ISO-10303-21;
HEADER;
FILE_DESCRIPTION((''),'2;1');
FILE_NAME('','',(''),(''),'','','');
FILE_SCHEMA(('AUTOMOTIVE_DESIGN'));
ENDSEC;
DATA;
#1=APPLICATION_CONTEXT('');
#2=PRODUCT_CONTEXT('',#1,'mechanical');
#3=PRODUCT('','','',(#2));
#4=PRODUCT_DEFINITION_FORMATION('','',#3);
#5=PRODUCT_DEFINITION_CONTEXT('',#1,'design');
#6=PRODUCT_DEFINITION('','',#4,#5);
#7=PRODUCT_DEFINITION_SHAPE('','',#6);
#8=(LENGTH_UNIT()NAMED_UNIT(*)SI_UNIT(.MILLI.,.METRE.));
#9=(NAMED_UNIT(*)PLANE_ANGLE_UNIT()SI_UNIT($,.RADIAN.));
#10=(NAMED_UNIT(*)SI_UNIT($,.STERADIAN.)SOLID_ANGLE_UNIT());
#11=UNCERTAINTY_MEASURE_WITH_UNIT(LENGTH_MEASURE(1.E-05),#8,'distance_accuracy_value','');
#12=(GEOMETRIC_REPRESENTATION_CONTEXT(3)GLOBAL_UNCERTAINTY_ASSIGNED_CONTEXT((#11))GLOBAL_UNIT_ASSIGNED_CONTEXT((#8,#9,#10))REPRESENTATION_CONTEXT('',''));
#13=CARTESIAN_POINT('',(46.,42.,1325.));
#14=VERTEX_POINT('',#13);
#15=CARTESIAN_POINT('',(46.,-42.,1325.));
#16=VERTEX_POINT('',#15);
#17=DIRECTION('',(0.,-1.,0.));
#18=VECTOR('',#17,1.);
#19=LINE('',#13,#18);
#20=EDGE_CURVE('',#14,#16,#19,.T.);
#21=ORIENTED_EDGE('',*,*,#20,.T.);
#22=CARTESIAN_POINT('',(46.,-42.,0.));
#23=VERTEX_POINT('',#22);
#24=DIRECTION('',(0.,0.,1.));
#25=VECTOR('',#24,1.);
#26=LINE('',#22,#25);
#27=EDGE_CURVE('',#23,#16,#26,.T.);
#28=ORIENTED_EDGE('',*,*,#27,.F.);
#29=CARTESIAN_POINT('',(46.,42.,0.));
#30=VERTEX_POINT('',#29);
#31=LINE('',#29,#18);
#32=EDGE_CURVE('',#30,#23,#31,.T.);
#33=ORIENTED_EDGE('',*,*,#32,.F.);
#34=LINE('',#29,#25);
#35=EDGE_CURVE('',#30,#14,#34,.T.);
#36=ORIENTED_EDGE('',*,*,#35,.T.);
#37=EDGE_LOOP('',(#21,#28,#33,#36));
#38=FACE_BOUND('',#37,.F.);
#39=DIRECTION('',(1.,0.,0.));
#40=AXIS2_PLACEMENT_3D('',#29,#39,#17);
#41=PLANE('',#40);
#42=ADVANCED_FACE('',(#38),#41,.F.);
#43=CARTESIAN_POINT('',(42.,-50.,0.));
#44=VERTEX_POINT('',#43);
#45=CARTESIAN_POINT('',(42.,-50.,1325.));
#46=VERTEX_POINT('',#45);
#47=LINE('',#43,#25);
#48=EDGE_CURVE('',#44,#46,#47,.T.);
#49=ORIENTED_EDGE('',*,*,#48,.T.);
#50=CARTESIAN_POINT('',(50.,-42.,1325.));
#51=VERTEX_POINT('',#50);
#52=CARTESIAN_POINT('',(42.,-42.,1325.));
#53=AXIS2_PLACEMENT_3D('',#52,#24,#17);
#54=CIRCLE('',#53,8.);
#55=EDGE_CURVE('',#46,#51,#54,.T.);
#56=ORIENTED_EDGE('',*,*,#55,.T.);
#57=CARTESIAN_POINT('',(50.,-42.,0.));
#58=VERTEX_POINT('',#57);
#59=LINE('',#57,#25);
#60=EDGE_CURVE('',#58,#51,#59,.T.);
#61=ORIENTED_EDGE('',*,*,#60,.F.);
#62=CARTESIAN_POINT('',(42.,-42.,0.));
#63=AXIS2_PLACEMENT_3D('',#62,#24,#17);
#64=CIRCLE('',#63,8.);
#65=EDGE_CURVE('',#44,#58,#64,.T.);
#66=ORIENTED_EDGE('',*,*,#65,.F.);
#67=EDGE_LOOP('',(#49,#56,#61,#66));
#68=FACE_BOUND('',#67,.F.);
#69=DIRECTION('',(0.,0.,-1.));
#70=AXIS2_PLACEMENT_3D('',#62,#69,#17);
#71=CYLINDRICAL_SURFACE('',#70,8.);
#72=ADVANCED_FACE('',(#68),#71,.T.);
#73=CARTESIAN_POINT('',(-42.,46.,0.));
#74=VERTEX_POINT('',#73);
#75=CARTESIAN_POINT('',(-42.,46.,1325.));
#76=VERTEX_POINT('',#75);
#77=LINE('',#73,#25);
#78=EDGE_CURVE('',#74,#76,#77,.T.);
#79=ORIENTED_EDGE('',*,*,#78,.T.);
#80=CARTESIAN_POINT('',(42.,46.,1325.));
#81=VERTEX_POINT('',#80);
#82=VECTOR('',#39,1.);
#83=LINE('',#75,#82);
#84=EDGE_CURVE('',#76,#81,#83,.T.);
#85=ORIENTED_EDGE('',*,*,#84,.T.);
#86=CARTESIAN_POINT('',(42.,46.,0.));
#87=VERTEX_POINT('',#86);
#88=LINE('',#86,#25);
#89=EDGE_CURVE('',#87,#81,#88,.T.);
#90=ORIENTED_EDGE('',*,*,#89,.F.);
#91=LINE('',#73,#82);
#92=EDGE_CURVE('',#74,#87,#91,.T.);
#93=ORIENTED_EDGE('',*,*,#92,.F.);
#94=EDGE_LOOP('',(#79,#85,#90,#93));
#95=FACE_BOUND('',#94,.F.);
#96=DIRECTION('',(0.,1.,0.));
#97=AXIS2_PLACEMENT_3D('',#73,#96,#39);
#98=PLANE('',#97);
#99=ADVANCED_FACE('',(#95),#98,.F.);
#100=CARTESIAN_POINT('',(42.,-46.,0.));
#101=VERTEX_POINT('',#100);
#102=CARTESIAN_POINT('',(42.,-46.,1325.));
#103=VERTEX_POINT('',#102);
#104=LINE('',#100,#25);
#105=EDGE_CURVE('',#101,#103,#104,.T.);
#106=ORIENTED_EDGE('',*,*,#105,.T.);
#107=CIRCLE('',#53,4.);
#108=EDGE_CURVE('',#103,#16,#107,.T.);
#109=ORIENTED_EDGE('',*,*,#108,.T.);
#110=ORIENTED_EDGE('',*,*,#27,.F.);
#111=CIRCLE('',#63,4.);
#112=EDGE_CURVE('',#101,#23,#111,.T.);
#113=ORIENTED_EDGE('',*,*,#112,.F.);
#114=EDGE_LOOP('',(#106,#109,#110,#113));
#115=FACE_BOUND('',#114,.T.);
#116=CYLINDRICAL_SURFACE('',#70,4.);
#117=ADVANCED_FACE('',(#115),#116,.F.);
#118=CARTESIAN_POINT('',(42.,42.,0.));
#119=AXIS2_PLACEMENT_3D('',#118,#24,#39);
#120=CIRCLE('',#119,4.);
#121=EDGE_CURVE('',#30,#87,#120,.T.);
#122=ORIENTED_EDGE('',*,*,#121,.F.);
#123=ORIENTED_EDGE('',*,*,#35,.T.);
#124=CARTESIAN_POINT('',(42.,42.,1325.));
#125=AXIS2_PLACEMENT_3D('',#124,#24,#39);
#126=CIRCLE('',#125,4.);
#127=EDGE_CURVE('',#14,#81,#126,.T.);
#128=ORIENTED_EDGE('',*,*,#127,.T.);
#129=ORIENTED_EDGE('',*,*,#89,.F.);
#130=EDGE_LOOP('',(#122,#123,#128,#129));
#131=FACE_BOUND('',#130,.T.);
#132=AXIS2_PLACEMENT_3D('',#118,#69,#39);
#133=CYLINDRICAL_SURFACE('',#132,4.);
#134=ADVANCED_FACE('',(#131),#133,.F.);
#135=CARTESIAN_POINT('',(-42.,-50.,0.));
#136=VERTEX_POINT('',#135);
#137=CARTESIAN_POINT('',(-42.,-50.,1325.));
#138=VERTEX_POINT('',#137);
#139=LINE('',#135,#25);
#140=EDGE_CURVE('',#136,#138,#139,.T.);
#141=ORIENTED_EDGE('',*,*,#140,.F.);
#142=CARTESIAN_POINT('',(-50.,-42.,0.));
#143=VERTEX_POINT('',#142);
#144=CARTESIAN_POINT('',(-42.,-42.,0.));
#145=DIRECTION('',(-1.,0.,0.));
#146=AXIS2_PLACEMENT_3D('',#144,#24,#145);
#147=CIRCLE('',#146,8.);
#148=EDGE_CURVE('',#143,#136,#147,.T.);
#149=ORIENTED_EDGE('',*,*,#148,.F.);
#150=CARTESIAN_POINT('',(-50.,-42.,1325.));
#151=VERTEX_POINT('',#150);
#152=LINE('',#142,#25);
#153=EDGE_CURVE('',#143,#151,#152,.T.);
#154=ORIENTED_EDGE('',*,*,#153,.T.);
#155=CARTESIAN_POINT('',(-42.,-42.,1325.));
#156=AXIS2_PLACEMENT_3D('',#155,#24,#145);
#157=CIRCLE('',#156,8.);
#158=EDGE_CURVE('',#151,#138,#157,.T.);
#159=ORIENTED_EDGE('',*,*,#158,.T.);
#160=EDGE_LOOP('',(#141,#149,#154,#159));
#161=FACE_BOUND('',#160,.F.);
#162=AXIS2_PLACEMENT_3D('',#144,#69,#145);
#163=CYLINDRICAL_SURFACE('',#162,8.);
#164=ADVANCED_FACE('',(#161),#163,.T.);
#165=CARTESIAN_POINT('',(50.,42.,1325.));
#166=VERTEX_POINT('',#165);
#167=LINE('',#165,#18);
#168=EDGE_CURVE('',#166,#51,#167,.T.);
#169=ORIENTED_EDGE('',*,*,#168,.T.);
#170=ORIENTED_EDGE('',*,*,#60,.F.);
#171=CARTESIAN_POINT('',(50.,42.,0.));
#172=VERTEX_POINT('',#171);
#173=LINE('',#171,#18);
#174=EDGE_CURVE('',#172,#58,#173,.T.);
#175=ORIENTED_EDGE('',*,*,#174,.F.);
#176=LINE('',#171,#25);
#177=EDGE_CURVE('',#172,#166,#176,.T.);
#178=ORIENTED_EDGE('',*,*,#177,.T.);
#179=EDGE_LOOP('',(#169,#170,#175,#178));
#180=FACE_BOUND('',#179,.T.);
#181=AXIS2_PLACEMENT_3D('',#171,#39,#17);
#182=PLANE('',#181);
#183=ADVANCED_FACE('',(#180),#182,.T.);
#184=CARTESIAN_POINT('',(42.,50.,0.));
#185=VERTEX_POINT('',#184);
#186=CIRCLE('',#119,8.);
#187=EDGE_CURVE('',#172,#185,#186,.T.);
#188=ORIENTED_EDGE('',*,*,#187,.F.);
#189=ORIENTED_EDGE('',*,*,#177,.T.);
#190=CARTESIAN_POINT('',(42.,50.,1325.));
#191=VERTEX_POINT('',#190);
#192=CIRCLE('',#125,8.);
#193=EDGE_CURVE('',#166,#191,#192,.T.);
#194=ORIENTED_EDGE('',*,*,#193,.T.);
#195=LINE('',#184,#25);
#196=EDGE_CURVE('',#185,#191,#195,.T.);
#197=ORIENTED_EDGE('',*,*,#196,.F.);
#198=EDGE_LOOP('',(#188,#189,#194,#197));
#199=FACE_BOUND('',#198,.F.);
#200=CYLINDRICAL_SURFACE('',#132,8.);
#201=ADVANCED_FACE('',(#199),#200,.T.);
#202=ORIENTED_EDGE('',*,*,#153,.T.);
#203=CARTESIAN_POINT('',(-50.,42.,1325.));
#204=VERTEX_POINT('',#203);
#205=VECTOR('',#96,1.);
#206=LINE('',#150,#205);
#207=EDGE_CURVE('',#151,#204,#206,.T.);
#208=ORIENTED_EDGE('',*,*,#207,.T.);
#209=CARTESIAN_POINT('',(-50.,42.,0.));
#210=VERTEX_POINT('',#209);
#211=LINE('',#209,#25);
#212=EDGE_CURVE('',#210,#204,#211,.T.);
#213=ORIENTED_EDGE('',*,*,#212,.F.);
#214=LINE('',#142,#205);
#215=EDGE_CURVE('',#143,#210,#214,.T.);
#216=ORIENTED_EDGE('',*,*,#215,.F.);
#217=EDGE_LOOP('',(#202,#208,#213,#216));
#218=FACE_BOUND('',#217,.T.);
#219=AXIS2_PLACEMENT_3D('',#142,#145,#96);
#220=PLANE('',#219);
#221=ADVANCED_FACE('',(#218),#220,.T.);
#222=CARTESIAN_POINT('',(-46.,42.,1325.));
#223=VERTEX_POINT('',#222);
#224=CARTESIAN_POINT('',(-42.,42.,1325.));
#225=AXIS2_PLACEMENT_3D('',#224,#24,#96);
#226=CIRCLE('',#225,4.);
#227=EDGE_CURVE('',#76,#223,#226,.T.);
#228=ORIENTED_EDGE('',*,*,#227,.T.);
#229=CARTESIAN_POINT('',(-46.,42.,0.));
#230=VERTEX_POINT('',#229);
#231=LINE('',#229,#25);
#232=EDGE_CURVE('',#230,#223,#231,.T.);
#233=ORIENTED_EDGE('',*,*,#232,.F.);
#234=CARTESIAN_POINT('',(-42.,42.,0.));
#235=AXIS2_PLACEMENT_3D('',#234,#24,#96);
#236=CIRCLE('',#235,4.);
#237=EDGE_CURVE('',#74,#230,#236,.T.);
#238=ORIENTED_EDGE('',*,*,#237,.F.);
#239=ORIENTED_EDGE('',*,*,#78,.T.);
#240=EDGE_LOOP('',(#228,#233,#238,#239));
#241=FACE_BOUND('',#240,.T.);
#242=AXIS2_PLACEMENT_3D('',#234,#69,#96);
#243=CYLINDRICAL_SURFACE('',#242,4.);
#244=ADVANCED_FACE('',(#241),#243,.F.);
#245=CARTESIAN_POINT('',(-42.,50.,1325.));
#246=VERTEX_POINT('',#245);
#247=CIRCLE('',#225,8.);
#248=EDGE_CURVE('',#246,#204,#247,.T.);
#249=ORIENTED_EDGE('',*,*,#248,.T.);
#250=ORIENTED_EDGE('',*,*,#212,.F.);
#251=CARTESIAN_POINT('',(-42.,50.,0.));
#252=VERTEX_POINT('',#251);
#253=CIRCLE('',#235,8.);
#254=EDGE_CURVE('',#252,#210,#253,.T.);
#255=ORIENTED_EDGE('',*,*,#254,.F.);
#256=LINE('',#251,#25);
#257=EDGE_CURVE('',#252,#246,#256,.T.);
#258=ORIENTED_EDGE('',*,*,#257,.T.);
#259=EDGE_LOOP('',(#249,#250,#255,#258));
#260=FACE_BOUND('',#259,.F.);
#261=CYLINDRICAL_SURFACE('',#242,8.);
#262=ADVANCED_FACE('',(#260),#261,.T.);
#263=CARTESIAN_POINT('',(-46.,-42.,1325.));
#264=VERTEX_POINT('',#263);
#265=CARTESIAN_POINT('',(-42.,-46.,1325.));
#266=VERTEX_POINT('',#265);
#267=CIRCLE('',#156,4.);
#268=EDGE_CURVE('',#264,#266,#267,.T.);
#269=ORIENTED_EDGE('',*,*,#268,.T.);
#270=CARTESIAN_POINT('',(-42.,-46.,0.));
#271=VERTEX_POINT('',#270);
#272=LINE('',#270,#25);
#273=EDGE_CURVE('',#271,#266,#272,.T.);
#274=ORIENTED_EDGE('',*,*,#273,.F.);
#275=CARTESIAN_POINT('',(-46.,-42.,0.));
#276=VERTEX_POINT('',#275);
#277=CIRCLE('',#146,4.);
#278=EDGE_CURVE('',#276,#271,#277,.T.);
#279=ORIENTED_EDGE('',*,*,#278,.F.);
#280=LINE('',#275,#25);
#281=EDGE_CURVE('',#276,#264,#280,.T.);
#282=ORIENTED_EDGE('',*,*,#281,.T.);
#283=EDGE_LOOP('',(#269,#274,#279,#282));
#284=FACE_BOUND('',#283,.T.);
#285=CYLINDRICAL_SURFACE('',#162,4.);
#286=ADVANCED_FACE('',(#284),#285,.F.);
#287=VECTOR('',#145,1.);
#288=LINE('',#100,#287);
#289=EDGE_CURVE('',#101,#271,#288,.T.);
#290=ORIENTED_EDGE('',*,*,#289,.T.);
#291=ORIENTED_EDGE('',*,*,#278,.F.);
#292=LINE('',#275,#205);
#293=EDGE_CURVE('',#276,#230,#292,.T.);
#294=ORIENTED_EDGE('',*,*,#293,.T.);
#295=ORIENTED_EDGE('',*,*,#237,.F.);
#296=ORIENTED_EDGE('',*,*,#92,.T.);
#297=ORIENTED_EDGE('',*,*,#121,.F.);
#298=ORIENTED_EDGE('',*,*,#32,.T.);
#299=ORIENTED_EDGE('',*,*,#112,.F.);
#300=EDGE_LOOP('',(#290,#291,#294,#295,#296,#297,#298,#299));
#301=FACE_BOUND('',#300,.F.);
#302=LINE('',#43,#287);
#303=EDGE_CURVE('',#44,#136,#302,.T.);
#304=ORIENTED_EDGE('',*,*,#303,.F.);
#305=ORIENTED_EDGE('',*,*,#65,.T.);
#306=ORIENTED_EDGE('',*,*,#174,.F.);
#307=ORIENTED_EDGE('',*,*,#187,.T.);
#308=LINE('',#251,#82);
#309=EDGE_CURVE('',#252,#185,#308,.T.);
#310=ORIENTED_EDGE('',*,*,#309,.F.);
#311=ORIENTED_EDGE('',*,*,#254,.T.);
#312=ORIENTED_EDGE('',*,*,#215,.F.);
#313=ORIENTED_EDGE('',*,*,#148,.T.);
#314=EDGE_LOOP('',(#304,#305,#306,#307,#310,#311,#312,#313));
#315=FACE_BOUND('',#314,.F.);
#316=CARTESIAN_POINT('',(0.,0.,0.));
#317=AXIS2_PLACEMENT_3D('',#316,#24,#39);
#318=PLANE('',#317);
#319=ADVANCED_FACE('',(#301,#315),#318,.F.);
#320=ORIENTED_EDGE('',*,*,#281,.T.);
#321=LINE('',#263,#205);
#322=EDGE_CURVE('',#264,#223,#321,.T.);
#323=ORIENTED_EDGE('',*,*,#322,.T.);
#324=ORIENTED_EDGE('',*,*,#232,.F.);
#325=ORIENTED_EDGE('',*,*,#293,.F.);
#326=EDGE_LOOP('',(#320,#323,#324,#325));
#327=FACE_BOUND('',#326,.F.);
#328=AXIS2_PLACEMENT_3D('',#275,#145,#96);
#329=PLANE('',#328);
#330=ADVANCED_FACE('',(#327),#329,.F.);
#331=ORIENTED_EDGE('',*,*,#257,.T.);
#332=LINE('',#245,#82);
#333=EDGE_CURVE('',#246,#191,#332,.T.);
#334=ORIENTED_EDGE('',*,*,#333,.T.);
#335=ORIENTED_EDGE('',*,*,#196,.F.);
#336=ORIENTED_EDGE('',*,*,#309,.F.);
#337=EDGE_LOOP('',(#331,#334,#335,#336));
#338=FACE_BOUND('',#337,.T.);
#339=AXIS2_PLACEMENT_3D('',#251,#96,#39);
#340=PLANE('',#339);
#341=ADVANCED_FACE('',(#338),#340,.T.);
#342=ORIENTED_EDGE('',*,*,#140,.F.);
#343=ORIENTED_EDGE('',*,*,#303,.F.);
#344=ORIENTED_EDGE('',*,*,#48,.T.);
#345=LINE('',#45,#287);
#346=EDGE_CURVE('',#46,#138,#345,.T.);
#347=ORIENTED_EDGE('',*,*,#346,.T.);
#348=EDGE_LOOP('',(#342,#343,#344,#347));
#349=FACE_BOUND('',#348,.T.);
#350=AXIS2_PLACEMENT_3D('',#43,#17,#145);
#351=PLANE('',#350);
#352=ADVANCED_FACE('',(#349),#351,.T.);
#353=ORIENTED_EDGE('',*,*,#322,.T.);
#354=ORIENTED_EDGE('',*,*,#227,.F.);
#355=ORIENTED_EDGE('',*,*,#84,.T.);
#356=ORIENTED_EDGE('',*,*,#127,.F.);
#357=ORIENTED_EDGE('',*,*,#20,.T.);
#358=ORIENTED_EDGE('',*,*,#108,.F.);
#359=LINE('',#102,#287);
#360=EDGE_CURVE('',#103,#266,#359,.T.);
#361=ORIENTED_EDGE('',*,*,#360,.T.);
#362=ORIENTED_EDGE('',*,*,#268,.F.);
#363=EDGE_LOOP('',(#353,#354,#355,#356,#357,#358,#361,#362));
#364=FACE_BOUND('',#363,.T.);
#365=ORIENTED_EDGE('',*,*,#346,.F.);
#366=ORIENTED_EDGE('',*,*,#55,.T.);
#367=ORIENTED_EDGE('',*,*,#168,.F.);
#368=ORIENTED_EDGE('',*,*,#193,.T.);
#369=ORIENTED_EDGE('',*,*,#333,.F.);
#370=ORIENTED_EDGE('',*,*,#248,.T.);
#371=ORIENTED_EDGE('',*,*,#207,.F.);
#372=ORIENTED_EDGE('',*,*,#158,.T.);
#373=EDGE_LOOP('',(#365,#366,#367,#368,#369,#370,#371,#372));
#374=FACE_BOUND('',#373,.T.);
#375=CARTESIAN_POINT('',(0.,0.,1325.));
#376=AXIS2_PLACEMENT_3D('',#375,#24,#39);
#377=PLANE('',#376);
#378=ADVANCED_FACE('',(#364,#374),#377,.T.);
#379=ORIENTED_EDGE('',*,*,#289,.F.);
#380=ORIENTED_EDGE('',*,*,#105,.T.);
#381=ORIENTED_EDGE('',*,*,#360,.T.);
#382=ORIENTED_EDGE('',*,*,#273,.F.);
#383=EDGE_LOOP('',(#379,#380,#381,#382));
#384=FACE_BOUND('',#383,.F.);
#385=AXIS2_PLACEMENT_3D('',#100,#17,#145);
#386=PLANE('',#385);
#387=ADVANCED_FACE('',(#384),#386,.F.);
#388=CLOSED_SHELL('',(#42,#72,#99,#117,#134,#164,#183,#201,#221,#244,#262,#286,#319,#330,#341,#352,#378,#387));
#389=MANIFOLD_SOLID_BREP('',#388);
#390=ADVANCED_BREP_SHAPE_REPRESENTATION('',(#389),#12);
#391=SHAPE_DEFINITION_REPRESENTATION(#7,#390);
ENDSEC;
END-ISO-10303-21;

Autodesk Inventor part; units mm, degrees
ref_plane "YZ Plane" through (0, 0, 0) normal (1, 0, 0) x (0, 1, 0)
ref_plane "Start Plane" through (0, 0, 0) normal (0, 0, 1) x (1, 0, 0)
ref_plane "End Plane" through (0, 0, 1325) normal (0, 0, 1) x (1, 0, 0)
sketch "Sketch" plane through (0, 0, 0) normal (0, 0, 1) x (1, 0, 0)
  line L0 (-50, -42) -> (-50, 42)
  line L1 (-42, 50) -> (42, 50)
  line L2 (50, 42) -> (50, -42)
  line L3 (42, -50) -> (-42, -50)
  arc A0 (-50, -42) -> (-42, -50) centre (-42, -42) ccw
  arc A1 (50, 42) -> (42, 50) centre (42, 42) ccw
  arc A2 (-42, 50) -> (-50, 42) centre (-42, 42) ccw
  arc A3 (42, -50) -> (50, -42) centre (42, -42) ccw
  arc A4 (-42, 46) -> (-46, 42) centre (-42, 42) ccw
  line L4 (-42, 46) -> (42, 46)
  arc A5 (46, 42) -> (42, 46) centre (42, 42) ccw
  line L5 (46, 42) -> (46, -42)
  arc A6 (42, -46) -> (46, -42) centre (42, -42) ccw
  line L6 (42, -46) -> (-42, -46)
  arc A7 (-46, -42) -> (-42, -46) centre (-42, -42) ccw
  line L7 (-46, -42) -> (-46, 42)
  line L8 (0, 72.3196) -> (0, -72.3196) construction
  line L9 (-72.3196, 0) -> (72.3196, 0) construction
  dimension "d7" = 8
  dimension "d9" = 100
  dimension "d11" = 100
  dimension "d12" = 4
  dimension "d15" = 50
  dimension "d16" = 50
extrude "Body" add sketch "Sketch" along normal up to surface (1325 mm away) from surface at 0
sketch "Sketch3" plane through (0, 0, 0) normal (0, 0, 1) x (1, 0, 0)
  line L0 (0, 0) -> (10, 0)
ref_plane "Work Plane3" through (0, 0, 0) normal (0, -1, 0) x (1, 0, 0)
sketch "Sketch4" plane through (0, 0, 0) normal (0, -1, 0) x (1, 0, 0)
  line L0 (-2, 0) -> (12, 0) projected
  line L1 (-2, 1325) -> (12, 1325) projected
  dimension "d18" = 1325
equation "\"d7\" = G_IR"
equation "\"d9\" = G_W"
equation "\"d11\" = G_H"
equation "\"d12\" = G_T"
equation "\"d15\" = 0.5 * d9"
equation "\"d16\" = 0.5 * d11"
equation "\"d3\" = G_L"
equation "\"G_W\" = 100"
equation "\"G_H\" = 100"
equation "\"G_T\" = 4"
equation "\"G_IR\" = 8"
equation "\"G_L\" = d18"
equation "\"G_OFFSET_START\" = 0"
equation "\"G_OFFSET_END\" = 0"
equation "\"d14\" = G_OFFSET_END + B_L"
equation "\"B_L\" = 1325"
properties part number "ISO 10799-2 - 100x100x4 - 1325" material "Steel, Mild"
